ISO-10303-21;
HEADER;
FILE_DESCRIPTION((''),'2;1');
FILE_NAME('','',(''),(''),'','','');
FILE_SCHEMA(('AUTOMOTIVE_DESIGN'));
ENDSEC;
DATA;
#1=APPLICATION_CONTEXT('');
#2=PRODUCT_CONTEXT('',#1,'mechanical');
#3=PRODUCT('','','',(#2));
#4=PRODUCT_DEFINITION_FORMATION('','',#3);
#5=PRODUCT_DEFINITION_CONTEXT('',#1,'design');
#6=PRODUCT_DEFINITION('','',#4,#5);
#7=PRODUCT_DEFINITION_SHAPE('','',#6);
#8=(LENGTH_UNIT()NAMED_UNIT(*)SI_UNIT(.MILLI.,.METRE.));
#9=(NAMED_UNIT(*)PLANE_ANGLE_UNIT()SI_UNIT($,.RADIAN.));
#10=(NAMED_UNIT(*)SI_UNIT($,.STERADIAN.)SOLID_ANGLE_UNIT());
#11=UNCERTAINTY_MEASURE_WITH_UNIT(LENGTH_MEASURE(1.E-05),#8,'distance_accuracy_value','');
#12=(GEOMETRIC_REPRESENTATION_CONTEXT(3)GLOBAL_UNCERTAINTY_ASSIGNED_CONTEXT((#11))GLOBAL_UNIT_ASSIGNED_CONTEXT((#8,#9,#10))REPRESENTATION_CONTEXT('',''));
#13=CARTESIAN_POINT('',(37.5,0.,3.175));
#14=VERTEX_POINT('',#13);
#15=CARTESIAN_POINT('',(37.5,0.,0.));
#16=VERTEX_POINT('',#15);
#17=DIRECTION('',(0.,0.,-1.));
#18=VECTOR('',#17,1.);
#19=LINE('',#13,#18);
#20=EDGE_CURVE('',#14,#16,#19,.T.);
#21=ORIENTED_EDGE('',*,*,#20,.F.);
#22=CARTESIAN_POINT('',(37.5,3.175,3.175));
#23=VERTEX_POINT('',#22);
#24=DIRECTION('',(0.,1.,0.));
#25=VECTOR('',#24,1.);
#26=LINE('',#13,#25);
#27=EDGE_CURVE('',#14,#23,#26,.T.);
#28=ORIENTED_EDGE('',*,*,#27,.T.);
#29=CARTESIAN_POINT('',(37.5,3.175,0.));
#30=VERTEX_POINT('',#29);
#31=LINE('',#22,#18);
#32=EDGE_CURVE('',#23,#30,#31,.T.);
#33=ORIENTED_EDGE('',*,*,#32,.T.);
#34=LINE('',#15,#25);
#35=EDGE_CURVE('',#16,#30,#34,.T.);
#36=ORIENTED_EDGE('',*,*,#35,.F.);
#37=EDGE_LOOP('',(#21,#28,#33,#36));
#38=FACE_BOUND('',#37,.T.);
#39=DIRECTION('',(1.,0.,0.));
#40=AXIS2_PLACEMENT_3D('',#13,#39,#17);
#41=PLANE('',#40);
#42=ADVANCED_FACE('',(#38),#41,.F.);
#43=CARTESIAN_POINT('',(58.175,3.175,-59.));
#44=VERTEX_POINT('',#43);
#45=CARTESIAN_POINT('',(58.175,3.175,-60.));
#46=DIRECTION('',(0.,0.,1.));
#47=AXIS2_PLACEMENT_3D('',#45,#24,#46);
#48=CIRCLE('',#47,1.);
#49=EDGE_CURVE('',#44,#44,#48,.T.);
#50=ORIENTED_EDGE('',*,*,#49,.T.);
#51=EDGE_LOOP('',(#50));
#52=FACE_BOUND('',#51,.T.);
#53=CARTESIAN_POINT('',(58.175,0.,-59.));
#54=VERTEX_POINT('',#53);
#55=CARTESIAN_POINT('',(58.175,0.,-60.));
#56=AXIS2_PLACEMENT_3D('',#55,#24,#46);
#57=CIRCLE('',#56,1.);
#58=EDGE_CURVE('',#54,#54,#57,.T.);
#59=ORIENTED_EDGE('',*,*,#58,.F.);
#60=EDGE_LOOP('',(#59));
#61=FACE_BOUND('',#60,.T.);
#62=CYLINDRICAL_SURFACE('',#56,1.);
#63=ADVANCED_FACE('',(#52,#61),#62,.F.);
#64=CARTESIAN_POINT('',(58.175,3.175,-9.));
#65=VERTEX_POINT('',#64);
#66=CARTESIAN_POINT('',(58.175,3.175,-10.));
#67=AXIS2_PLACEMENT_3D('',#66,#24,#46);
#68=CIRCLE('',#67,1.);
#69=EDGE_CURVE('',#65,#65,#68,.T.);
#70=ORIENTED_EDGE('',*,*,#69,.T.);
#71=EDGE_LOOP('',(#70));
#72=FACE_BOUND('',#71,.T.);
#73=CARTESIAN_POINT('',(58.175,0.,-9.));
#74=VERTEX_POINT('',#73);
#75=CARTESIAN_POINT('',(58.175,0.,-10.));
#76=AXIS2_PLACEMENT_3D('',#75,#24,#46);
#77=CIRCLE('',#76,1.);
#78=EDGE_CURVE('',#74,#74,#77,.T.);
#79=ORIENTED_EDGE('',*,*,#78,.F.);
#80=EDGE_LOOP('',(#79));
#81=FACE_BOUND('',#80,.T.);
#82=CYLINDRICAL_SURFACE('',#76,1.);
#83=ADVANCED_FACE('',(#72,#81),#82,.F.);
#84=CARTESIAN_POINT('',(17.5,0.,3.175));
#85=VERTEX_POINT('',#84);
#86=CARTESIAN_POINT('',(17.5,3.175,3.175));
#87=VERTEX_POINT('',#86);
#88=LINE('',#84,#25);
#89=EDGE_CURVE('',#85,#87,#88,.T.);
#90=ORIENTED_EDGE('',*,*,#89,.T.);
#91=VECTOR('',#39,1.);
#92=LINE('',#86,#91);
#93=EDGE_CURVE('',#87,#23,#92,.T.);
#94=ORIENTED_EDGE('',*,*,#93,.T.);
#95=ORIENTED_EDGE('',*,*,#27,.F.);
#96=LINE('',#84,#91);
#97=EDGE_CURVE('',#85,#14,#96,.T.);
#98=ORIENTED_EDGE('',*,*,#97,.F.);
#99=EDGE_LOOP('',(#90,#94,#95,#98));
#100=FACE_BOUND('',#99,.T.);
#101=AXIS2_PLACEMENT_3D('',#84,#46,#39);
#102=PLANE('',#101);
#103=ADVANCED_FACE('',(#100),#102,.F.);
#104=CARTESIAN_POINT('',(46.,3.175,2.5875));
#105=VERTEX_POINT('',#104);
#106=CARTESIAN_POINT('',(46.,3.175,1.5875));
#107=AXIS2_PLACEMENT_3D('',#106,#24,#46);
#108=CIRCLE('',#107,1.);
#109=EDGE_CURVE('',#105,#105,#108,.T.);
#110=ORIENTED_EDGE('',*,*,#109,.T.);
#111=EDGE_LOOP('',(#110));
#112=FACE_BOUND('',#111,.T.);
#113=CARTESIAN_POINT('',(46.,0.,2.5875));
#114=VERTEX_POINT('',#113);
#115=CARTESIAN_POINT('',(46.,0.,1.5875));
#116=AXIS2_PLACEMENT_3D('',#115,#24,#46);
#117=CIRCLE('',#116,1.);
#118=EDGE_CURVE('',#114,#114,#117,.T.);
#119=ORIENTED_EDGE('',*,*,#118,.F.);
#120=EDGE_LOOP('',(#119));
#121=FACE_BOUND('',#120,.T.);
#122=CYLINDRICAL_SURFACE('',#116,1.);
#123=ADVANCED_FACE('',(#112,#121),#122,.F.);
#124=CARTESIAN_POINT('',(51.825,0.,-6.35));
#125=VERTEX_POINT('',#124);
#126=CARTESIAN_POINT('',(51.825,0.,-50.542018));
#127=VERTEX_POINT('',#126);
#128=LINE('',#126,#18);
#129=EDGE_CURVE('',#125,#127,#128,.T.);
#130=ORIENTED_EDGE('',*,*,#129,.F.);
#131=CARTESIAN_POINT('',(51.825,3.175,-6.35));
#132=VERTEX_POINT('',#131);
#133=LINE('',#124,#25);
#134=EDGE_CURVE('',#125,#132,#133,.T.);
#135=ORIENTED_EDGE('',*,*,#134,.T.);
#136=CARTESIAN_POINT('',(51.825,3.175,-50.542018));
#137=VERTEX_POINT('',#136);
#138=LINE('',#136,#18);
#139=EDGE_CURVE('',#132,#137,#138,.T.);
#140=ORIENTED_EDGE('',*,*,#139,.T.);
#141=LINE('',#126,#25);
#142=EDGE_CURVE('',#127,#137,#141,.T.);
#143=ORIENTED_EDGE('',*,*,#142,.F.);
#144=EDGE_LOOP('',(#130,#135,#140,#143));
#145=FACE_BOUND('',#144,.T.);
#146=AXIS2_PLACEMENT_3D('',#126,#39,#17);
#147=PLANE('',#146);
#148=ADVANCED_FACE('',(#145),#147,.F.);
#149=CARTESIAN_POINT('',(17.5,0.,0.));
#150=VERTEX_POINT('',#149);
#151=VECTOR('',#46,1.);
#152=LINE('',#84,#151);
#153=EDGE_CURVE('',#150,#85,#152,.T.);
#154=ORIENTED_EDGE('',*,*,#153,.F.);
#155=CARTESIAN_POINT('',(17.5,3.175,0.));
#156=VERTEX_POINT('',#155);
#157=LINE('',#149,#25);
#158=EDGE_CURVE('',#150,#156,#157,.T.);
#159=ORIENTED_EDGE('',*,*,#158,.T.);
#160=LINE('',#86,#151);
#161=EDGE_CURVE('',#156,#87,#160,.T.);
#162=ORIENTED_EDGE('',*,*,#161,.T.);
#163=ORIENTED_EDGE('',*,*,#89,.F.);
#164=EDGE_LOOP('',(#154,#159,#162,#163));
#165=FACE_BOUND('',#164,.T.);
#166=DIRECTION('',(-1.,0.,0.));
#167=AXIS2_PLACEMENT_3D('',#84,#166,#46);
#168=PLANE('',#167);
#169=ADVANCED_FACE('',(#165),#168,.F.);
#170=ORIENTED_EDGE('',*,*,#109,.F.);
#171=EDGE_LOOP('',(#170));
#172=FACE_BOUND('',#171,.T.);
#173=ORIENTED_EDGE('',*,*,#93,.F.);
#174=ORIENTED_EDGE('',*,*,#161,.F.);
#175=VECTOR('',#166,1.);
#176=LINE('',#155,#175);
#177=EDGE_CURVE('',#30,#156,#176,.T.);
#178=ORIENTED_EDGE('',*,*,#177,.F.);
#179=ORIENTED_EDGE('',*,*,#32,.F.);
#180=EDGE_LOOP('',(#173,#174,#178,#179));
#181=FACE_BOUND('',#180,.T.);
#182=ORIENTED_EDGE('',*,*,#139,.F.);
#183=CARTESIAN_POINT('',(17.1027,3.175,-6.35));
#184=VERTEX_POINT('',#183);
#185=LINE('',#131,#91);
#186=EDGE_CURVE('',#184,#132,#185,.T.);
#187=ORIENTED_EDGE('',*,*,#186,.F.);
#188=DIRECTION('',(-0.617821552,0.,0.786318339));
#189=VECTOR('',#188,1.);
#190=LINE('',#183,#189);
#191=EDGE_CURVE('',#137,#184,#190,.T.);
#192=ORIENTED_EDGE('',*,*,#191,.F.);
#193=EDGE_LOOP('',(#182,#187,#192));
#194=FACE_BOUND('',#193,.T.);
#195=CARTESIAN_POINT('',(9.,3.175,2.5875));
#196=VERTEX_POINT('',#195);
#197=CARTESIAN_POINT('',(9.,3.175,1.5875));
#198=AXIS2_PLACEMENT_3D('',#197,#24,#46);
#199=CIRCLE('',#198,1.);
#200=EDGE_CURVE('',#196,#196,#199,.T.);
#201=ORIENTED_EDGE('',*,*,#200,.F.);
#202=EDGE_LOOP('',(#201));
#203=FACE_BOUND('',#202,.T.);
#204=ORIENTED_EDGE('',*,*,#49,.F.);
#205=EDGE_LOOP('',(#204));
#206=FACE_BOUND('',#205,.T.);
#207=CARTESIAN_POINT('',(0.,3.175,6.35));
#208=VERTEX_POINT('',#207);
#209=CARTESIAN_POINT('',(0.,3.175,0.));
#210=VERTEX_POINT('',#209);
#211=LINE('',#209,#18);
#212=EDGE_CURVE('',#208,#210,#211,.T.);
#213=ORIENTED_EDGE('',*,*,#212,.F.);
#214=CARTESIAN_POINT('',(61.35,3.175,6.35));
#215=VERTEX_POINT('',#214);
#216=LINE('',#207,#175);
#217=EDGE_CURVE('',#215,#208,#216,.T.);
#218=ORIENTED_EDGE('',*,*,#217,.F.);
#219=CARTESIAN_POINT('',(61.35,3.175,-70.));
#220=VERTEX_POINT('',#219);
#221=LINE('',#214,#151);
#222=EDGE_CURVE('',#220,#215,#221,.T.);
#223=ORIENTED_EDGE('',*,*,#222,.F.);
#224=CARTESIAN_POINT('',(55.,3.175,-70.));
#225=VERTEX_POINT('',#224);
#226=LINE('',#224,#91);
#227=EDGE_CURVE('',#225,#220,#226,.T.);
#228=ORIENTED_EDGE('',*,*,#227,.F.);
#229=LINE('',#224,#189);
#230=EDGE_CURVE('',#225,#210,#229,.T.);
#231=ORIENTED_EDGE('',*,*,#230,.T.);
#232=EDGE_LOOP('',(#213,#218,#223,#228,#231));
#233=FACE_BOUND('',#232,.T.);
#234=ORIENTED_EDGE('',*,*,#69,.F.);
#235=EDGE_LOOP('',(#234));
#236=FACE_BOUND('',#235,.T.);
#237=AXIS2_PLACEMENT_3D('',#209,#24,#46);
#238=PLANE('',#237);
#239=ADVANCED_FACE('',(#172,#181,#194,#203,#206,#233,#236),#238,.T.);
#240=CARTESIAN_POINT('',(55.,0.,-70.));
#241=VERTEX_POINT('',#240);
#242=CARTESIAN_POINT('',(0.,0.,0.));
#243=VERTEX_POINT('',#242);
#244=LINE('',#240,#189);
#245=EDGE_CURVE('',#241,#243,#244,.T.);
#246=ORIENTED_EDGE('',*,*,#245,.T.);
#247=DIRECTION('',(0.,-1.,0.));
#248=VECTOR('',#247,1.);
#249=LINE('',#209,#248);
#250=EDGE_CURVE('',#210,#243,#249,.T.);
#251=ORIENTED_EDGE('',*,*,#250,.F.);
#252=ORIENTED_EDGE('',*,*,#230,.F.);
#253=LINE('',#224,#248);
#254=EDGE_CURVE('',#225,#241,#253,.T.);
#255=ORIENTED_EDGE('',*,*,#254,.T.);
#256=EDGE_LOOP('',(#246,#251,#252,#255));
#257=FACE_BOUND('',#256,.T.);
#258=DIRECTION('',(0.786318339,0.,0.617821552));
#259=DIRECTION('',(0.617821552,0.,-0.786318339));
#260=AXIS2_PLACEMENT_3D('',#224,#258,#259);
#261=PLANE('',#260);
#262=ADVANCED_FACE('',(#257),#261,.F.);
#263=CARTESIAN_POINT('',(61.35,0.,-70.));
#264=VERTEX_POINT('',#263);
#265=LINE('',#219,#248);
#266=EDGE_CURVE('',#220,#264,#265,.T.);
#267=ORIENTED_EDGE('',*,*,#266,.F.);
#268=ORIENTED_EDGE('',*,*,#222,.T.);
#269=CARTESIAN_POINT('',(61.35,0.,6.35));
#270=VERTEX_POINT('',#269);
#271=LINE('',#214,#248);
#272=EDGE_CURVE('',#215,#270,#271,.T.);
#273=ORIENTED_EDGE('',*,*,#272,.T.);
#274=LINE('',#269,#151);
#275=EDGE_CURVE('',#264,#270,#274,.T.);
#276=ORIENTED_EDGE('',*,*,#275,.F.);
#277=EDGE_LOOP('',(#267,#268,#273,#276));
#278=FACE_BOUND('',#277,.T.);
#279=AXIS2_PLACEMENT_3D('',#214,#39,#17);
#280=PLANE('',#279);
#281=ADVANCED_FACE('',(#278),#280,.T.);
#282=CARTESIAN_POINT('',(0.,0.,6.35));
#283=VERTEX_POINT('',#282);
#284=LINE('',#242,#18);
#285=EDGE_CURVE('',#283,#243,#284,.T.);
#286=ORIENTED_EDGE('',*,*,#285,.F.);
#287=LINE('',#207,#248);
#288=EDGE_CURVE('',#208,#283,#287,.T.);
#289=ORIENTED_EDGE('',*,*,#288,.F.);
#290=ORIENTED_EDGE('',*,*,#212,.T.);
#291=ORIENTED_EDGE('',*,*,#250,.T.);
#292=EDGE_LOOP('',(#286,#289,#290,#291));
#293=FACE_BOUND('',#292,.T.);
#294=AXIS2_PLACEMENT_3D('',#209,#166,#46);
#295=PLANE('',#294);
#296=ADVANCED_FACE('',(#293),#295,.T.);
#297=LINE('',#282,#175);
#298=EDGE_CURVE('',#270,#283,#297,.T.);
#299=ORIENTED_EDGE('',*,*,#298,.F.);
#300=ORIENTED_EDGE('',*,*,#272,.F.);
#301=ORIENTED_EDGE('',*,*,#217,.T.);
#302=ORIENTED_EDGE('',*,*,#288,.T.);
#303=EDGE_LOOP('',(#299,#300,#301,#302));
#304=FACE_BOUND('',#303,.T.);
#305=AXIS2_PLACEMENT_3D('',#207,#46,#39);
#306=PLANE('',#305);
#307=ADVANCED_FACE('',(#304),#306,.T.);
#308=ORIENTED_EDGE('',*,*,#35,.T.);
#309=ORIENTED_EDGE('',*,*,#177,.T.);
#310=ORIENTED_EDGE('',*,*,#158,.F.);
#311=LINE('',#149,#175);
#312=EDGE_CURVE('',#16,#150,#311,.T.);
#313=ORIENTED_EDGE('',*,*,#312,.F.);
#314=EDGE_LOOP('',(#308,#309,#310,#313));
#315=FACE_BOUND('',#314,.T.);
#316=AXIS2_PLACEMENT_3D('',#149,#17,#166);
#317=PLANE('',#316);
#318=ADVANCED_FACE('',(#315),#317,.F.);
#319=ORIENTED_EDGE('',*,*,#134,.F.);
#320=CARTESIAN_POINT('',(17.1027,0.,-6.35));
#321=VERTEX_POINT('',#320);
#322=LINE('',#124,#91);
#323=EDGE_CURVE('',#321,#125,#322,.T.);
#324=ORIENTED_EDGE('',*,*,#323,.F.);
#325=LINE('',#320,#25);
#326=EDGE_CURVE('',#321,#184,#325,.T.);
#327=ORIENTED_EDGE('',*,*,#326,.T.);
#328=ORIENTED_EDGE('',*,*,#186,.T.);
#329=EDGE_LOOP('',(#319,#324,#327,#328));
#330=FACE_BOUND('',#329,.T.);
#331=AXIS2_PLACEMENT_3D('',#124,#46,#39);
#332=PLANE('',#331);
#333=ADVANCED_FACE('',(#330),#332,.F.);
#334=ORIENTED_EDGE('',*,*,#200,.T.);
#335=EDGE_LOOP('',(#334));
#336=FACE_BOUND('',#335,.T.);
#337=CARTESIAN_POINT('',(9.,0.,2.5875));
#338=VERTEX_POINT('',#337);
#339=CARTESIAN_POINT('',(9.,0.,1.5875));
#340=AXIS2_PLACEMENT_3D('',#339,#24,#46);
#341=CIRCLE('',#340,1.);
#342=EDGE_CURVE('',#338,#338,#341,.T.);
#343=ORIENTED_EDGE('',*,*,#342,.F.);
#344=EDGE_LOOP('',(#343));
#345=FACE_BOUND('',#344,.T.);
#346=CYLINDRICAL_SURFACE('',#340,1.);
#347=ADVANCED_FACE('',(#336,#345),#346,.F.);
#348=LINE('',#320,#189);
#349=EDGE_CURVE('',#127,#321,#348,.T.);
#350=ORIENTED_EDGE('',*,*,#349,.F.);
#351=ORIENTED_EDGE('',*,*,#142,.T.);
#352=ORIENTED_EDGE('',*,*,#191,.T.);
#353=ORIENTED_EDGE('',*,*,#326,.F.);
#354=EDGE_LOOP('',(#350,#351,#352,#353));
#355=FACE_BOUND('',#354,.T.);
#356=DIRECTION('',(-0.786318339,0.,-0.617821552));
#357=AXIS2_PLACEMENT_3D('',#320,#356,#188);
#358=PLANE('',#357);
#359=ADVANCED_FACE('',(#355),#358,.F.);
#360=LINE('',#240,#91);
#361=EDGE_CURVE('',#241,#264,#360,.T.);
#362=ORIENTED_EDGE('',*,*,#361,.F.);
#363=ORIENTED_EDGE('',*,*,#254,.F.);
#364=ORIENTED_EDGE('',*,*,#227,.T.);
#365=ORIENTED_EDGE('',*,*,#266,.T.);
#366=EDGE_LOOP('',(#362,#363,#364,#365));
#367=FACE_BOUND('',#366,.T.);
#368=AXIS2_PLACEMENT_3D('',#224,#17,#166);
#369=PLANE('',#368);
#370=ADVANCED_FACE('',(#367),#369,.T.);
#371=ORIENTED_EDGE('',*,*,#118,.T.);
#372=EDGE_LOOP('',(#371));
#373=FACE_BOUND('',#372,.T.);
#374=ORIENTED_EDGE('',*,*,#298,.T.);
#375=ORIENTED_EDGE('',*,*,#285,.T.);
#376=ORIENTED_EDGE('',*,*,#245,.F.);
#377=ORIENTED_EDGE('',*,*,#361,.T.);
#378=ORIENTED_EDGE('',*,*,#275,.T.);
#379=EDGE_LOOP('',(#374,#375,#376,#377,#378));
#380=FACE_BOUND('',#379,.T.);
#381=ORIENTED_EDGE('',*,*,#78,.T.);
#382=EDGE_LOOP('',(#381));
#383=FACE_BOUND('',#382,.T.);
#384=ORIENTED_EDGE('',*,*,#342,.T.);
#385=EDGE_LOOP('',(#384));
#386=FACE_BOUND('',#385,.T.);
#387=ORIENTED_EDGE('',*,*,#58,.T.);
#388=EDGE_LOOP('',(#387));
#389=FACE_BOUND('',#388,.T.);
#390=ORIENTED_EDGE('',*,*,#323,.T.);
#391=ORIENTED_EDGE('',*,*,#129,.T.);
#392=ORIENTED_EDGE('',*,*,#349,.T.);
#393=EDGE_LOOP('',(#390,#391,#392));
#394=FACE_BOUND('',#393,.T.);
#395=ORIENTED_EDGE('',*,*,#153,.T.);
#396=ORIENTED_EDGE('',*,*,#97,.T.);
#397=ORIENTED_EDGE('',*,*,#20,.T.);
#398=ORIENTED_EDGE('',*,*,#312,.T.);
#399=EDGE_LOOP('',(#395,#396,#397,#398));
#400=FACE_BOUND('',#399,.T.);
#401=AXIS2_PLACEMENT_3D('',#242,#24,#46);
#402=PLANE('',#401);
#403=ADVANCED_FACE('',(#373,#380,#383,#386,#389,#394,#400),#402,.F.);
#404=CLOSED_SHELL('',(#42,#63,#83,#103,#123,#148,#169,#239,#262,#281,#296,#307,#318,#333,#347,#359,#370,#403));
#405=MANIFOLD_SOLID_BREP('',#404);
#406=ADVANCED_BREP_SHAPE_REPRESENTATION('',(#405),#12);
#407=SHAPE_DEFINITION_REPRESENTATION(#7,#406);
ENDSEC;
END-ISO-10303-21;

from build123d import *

# Parameters (mm, degrees)
BOSS_EXTRUDE1_DEPTH = 3.175
SKETCH3_W           = 55
SKETCH3_H           = 6.35
BOSS_EXTRUDE3_DEPTH = 3.175
SKETCH5_W           = 6.35
SKETCH5_H           = 76.35
BOSS_EXTRUDE4_DEPTH = 3.175
SKETCH2_R           = 1
SKETCH2_W           = 20
SKETCH2_H           = 3.175
CUT_EXTRUDE1_DEPTH  = 3.175
CUT_EXTRUDE2_DEPTH  = 3.175


with BuildPart() as part:
    # Sketch1 → Boss-Extrude1 (new body)
    with BuildSketch(Plane(origin=(0, 0, 0), x_dir=(1, 0, 0), z_dir=(0, 1, 0))):
        Polygon((0, 0), (55, 0), (55, 70), align=None)
    extrude(amount=BOSS_EXTRUDE1_DEPTH)

    # Sketch3 → Boss-Extrude3 (add)
    with BuildSketch(Plane.XZ):
        with Locations((27.5, 3.175)):
            Rectangle(SKETCH3_W, SKETCH3_H)
    extrude(amount=-BOSS_EXTRUDE3_DEPTH)

    # Sketch5 → Boss-Extrude4 (add)
    with BuildSketch(Plane.XZ):
        with Locations((58.175, -31.825)):
            Rectangle(SKETCH5_W, SKETCH5_H)
    extrude(amount=-BOSS_EXTRUDE4_DEPTH)

    # Sketch2 → Cut-Extrude1 (cut)
    with BuildSketch(Plane(origin=(0, 3.175, 0), x_dir=(1, 0, 0), z_dir=(0, 1, 0))):
        with Locations(Location((9, -1.5875, 0), (0, 0, 270))):
            Circle(SKETCH2_R)
        with Locations(Location((46, -1.5875, 0), (0, 0, 270))):
            Circle(SKETCH2_R)
        with Locations(Location((58.175, 60, 0), (0, 0, 270))):
            Circle(SKETCH2_R)
        with Locations(Location((58.175, 10, 0), (0, 0, 270))):
            Circle(SKETCH2_R)
        with Locations((27.5, -1.5875)):
            Rectangle(SKETCH2_W, SKETCH2_H)
    extrude(amount=-CUT_EXTRUDE1_DEPTH, mode=Mode.SUBTRACT)

    # Sketch6 → Cut-Extrude2 (cut)
    with BuildSketch(Plane(origin=(0, 3.175, 0), x_dir=(1, 0, 0), z_dir=(0, 1, 0))):
        Polygon((51.825, 6.35), (17.102700256, 6.35), (51.825, 50.542017856), align=None)
    extrude(amount=-CUT_EXTRUDE2_DEPTH, mode=Mode.SUBTRACT)


solid = part.part
